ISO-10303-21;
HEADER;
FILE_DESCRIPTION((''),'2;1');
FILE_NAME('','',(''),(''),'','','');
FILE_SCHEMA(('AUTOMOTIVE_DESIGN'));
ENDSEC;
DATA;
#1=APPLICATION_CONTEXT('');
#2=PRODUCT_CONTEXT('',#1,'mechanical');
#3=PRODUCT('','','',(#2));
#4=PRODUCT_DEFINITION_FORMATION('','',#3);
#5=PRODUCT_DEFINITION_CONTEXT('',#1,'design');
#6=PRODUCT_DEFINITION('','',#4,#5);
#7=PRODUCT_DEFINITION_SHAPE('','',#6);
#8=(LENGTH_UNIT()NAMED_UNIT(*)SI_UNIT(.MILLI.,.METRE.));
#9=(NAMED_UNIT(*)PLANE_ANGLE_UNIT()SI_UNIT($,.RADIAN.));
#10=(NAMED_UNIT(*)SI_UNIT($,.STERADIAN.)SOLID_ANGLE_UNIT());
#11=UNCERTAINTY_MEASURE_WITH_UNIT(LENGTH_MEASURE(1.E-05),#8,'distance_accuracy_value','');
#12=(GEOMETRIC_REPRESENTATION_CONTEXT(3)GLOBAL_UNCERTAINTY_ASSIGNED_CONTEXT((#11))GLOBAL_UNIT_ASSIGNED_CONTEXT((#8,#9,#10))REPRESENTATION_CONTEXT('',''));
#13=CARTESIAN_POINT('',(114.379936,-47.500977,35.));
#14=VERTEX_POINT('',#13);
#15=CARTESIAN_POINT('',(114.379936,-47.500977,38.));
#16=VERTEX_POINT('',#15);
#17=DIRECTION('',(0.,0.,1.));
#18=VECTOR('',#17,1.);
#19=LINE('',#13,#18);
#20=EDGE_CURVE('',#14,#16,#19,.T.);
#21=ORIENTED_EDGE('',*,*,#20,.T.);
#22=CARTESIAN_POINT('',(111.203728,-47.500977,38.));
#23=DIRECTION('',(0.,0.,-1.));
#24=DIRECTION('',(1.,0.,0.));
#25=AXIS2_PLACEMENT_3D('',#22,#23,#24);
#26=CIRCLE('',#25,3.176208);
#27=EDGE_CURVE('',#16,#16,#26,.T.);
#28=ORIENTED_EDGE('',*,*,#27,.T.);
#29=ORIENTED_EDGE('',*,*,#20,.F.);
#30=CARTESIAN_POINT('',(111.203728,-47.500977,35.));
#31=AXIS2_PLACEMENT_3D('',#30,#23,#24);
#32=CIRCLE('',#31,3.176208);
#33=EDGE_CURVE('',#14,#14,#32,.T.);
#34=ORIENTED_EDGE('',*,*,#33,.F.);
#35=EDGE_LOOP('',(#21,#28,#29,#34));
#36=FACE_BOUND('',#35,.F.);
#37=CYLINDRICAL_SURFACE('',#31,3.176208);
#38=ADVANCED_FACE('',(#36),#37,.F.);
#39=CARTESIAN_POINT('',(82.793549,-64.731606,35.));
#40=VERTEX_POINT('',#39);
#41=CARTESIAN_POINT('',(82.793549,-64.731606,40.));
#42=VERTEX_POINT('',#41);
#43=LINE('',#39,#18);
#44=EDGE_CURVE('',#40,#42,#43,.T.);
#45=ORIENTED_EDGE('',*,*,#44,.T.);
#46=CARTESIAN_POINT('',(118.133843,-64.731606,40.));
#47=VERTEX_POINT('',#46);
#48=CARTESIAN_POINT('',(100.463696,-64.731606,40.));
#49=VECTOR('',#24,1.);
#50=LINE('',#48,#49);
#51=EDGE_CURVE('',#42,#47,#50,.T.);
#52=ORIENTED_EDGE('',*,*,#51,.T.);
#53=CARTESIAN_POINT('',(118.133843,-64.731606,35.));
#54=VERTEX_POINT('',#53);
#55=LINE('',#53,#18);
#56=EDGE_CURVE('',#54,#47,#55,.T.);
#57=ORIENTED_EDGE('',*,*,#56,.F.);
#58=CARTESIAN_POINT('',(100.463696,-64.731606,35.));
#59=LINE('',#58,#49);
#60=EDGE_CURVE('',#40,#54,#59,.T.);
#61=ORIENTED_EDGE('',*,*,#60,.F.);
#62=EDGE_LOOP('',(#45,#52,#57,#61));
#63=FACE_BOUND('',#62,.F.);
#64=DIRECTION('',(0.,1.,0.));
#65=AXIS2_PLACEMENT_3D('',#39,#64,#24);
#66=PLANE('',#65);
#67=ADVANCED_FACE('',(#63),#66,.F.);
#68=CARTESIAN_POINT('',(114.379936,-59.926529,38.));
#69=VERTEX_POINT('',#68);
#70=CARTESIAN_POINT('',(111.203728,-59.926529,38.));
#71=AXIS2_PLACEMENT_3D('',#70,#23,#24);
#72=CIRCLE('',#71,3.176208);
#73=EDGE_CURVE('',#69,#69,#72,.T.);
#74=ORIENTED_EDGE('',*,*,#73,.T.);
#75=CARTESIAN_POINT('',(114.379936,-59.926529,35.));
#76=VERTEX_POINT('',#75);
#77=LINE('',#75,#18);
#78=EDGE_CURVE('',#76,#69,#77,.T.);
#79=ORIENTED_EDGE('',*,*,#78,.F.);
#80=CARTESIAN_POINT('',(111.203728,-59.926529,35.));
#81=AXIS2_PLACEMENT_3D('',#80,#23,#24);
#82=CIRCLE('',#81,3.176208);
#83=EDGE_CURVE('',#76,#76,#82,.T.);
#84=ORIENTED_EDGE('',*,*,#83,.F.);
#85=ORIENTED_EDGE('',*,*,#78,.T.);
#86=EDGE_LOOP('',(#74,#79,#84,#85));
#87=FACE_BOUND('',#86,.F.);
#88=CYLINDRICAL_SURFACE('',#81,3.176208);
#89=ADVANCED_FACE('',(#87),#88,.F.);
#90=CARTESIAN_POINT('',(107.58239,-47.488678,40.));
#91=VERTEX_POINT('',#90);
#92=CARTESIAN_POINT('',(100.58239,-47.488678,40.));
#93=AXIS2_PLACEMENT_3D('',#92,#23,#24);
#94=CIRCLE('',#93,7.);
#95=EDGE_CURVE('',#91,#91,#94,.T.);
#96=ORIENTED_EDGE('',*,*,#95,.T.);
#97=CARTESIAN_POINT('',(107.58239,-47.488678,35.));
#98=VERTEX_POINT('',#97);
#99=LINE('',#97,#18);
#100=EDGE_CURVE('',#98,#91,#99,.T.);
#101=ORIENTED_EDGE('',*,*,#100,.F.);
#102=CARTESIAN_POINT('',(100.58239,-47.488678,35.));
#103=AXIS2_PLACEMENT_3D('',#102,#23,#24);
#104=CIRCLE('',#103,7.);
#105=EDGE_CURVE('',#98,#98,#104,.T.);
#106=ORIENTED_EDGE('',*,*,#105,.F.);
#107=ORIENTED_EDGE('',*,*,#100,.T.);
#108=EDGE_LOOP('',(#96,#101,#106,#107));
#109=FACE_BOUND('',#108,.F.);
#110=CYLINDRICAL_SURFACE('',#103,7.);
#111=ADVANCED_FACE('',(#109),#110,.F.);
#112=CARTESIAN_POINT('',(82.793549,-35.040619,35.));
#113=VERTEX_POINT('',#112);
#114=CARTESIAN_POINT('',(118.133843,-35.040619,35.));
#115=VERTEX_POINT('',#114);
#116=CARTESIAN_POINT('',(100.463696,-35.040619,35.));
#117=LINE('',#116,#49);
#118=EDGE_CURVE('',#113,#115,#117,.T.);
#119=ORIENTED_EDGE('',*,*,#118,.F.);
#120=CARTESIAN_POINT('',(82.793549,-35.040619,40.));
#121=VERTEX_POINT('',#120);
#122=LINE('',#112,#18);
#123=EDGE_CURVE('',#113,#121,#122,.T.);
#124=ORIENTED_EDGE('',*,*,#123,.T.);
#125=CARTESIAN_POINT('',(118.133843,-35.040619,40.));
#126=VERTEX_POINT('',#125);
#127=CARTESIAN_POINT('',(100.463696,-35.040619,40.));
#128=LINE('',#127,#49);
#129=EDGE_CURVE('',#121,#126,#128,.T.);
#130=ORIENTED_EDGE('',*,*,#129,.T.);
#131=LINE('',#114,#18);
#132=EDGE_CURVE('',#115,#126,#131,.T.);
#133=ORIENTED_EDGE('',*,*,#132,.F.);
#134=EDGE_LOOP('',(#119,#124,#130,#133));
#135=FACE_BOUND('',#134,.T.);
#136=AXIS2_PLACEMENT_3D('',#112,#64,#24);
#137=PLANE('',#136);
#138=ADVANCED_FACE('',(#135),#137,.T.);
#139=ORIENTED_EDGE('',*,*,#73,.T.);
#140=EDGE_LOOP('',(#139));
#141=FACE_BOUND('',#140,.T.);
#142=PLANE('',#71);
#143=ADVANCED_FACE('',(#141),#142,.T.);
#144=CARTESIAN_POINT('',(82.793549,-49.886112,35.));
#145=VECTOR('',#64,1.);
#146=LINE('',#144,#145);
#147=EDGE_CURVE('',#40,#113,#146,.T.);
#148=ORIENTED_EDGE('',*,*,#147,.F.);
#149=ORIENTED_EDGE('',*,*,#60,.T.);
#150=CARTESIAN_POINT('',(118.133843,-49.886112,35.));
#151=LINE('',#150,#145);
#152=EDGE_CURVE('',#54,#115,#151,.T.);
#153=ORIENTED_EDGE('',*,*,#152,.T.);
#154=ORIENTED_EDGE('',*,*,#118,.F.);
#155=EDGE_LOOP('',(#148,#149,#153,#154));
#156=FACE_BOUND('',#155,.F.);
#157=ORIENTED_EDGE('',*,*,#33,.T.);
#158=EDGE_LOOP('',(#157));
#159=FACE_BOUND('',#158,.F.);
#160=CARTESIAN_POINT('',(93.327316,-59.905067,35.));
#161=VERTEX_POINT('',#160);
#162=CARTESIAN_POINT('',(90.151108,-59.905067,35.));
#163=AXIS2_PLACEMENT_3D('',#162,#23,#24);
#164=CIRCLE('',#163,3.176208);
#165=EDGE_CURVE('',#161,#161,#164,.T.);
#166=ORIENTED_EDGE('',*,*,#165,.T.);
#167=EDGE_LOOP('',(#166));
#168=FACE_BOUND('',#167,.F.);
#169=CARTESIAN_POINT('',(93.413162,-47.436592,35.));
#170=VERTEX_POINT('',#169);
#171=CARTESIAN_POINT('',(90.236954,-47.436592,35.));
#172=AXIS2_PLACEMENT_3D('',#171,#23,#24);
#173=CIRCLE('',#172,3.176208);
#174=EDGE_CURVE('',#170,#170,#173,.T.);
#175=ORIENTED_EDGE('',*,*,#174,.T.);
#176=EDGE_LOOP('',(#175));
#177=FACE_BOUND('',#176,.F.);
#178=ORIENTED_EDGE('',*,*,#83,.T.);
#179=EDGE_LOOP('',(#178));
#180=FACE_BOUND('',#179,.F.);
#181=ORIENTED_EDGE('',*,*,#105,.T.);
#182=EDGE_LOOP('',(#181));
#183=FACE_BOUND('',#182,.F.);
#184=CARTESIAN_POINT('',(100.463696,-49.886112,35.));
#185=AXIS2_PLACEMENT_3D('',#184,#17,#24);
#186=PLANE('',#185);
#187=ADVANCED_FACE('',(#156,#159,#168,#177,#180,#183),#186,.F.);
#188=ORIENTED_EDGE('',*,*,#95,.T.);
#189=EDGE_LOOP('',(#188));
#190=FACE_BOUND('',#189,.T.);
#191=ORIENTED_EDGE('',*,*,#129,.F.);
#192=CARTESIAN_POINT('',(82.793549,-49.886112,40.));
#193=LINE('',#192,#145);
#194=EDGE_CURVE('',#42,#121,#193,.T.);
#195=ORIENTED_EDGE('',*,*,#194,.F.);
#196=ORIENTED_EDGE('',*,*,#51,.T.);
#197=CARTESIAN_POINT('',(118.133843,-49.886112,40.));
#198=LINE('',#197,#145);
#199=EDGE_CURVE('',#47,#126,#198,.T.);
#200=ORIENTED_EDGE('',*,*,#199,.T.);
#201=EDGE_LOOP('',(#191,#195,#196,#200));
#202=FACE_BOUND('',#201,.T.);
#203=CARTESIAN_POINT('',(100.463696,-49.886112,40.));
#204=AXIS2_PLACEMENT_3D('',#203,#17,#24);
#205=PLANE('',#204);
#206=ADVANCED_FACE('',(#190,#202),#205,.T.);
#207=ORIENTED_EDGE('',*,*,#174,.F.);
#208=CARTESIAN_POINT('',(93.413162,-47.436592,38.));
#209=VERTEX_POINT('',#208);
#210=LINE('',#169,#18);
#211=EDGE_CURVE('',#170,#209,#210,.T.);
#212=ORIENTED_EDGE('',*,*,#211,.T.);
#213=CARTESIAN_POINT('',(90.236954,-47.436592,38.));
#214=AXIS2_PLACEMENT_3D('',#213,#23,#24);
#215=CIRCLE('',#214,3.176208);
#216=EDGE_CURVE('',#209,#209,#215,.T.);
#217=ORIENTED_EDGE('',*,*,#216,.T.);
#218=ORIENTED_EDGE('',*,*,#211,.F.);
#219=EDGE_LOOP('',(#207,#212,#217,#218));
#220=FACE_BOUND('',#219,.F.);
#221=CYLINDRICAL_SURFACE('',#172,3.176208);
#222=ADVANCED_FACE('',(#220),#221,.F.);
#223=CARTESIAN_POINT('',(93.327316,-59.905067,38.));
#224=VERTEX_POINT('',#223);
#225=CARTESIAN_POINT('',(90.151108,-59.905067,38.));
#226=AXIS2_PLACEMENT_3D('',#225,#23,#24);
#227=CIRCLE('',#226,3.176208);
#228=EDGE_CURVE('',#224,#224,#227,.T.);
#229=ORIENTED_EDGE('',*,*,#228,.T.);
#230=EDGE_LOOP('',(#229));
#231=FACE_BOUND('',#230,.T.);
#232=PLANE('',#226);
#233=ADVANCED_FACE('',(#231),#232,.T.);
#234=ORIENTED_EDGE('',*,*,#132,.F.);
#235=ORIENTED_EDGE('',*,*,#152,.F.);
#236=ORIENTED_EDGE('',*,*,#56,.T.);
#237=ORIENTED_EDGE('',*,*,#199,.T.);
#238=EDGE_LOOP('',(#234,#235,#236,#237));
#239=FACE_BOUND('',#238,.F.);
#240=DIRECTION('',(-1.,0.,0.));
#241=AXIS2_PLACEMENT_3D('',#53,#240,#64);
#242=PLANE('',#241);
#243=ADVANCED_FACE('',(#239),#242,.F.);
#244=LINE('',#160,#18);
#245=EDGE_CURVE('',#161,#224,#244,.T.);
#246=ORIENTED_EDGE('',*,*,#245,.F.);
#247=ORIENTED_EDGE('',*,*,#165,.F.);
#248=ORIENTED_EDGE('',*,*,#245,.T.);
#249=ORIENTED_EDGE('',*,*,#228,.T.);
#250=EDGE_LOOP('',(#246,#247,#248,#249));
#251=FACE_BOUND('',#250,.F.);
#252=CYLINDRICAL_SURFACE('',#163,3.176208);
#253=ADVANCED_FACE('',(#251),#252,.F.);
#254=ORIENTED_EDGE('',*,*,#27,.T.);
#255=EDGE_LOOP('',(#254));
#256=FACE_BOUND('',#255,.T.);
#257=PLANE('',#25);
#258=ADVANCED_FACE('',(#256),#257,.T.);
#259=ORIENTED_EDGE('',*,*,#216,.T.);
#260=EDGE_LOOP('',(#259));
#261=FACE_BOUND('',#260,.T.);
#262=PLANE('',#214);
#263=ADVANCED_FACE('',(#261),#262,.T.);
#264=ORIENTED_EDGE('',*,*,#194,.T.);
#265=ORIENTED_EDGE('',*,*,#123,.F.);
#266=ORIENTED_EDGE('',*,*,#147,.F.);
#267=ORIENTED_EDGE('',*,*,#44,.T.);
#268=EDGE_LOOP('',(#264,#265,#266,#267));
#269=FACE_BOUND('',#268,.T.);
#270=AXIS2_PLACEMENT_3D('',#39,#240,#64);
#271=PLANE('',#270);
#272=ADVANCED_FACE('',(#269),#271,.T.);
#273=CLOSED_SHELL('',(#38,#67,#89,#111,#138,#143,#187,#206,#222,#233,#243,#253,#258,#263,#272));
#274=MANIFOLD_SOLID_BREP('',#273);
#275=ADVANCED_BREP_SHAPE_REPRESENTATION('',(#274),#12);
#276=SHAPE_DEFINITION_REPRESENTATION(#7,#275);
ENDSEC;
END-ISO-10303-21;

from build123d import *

# Parameters (mm, degrees)
SKETCH032_W     = 35.340293
SKETCH032_H     = 29.690987
PAD011_DEPTH    = 5
SKETCH033_R     = 3.176208
POCKET014_DEPTH = 3
SKETCH034_R     = 7
POCKET015_DEPTH = 5


with BuildPart() as part:
    # Sketch032 → Pad011 (new body)
    with BuildSketch(Plane.XY):
        with Locations((100.463696, -49.886112)):
            Rectangle(SKETCH032_W, SKETCH032_H)
    extrude(amount=PAD011_DEPTH)

    # Sketch033 (on Face5 of Pad011) → Pocket014 (cut)
    with BuildSketch(Plane(origin=(0, 0, 0), x_dir=(1, 0, 0), z_dir=(0, 0, -1))):
        with Locations((90.151108, 59.905067)):
            Circle(SKETCH033_R)
        with Locations((90.236954, 47.436592)):
            Circle(SKETCH033_R)
        with Locations((111.203728, 59.926529)):
            Circle(SKETCH033_R)
        with Locations((111.203728, 47.500977)):
            Circle(SKETCH033_R)
    extrude(amount=-POCKET014_DEPTH, mode=Mode.SUBTRACT)

    # Sketch034 (on Face4 of Pocket014) → Pocket015 (cut)
    with BuildSketch(Plane(origin=(0, 0, 0), x_dir=(1, 0, 0), z_dir=(0, 0, -1))):
        with Locations((100.58239, 47.488678)):
            Circle(SKETCH034_R)
    extrude(amount=-POCKET015_DEPTH, mode=Mode.SUBTRACT)


with BuildPart() as part_1:
    # Body004 placement: moved
    add(part.part.moved(Location((0, 0, 35))))


solid = part_1.part
